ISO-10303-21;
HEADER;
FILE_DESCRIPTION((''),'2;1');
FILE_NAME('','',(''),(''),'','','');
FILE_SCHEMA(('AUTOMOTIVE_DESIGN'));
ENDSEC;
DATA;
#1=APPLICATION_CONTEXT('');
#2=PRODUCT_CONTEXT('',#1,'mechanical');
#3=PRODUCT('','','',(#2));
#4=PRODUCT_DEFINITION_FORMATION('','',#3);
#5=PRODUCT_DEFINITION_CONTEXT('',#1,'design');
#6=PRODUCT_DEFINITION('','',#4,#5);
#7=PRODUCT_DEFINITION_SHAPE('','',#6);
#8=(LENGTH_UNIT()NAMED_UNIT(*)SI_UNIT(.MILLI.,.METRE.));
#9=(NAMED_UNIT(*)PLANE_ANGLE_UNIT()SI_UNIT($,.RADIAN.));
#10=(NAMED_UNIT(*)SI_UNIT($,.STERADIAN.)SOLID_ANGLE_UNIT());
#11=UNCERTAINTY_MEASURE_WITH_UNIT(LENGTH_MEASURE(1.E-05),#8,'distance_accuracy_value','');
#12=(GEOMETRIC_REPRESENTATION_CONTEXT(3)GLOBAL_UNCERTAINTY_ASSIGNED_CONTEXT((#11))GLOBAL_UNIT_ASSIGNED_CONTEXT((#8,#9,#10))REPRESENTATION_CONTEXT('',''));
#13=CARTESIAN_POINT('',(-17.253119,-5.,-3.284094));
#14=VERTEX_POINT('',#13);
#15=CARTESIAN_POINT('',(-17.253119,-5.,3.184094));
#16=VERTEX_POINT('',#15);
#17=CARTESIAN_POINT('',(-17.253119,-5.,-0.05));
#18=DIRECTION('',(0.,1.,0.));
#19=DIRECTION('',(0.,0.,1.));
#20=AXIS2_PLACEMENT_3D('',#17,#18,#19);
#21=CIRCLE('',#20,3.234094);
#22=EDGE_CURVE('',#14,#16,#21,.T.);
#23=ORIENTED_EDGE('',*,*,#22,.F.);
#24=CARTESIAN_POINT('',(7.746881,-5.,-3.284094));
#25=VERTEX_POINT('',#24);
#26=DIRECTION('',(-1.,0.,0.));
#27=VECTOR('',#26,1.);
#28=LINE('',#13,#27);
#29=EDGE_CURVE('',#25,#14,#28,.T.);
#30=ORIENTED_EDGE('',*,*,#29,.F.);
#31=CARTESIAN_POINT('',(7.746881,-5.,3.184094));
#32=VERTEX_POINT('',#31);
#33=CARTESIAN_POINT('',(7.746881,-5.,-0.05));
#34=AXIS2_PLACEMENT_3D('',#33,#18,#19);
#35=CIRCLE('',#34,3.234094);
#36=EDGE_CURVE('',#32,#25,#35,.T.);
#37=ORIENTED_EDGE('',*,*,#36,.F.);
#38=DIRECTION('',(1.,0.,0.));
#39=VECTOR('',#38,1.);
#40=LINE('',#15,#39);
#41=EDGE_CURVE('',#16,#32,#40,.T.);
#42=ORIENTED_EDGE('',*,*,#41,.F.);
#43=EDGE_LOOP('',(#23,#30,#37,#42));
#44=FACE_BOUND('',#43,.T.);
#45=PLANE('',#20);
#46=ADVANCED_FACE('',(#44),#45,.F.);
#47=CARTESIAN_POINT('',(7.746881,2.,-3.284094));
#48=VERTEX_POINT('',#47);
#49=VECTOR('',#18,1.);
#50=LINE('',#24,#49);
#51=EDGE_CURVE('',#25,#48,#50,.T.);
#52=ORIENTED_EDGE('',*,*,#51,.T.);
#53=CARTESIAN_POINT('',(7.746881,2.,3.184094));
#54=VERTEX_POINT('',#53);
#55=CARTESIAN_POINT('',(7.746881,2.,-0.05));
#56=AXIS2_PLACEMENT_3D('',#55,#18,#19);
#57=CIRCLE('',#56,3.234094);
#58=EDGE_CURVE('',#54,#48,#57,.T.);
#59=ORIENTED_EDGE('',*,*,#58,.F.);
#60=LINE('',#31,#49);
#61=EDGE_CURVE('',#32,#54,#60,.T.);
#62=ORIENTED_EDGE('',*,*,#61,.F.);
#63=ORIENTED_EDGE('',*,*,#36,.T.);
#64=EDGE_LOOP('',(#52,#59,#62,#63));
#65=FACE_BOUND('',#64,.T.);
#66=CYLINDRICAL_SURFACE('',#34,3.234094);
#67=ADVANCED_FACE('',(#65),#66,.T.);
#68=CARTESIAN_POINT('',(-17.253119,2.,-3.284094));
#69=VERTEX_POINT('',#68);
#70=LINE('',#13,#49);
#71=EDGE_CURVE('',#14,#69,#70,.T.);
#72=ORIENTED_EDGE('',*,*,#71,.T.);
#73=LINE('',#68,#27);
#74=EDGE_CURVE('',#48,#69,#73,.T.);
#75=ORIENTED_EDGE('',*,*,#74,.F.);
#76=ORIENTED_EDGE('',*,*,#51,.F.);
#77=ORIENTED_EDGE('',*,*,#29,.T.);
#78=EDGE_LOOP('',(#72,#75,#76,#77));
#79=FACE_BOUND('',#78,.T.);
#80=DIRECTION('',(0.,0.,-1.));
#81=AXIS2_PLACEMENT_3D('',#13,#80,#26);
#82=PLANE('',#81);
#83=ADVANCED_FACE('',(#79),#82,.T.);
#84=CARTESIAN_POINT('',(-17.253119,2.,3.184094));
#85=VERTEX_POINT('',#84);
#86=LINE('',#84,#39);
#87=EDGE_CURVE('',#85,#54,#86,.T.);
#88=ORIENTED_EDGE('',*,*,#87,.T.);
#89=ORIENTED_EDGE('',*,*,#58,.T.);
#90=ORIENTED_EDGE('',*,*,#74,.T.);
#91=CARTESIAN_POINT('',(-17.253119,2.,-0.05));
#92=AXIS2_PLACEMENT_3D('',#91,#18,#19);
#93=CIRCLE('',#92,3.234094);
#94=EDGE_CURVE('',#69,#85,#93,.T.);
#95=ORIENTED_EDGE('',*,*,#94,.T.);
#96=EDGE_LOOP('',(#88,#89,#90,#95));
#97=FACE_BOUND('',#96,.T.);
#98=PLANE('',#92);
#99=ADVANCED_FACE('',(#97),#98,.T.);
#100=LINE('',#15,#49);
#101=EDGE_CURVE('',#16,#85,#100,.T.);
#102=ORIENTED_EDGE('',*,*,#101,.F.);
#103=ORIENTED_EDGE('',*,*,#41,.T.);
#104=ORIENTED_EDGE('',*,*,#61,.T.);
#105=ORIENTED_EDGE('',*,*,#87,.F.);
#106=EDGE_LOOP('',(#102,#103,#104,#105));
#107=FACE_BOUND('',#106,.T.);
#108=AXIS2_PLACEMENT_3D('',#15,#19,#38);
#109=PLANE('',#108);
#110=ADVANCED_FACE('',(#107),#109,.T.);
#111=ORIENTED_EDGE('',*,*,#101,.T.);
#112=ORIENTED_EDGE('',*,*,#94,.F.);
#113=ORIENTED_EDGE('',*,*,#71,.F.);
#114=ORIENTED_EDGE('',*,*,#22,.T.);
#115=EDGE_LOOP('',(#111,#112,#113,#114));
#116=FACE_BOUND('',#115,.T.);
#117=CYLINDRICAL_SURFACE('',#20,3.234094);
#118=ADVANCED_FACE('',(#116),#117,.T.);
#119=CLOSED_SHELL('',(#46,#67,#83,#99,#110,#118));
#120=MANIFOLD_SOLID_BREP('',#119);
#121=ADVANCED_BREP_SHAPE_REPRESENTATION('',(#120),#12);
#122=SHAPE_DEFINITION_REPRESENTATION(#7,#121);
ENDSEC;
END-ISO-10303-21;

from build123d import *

# Parameters (mm, degrees)
BOSS_EXTRUDE1_DEPTH      = 2
BOSS_EXTRUDE1_DEPTH_BACK = 5


with BuildPart() as part:
    # Sketch1 → Boss-Extrude1 (new, two sides: drawn at the far end of the back side and taken through both)
    with BuildSketch(Plane(origin=(0, 0, 0), x_dir=(1, 0, 0), z_dir=(0, 1, 0)).offset(-BOSS_EXTRUDE1_DEPTH_BACK)):
        with BuildLine():
            Line((-17.253119189, 3.284094305), (7.746880811, 3.284094305))
            ThreePointArc((7.746880811, 3.284094305), (10.980975111, 0.050000005), (7.746880811, -3.184094295))
            Line((7.746880811, -3.184094295), (-17.253119189, -3.184094295))
            ThreePointArc((-17.253119189, -3.184094295), (-20.487213489, 0.050000005), (-17.253119189, 3.284094305))
        make_face()
    extrude(amount=BOSS_EXTRUDE1_DEPTH + BOSS_EXTRUDE1_DEPTH_BACK)


solid = part.part
